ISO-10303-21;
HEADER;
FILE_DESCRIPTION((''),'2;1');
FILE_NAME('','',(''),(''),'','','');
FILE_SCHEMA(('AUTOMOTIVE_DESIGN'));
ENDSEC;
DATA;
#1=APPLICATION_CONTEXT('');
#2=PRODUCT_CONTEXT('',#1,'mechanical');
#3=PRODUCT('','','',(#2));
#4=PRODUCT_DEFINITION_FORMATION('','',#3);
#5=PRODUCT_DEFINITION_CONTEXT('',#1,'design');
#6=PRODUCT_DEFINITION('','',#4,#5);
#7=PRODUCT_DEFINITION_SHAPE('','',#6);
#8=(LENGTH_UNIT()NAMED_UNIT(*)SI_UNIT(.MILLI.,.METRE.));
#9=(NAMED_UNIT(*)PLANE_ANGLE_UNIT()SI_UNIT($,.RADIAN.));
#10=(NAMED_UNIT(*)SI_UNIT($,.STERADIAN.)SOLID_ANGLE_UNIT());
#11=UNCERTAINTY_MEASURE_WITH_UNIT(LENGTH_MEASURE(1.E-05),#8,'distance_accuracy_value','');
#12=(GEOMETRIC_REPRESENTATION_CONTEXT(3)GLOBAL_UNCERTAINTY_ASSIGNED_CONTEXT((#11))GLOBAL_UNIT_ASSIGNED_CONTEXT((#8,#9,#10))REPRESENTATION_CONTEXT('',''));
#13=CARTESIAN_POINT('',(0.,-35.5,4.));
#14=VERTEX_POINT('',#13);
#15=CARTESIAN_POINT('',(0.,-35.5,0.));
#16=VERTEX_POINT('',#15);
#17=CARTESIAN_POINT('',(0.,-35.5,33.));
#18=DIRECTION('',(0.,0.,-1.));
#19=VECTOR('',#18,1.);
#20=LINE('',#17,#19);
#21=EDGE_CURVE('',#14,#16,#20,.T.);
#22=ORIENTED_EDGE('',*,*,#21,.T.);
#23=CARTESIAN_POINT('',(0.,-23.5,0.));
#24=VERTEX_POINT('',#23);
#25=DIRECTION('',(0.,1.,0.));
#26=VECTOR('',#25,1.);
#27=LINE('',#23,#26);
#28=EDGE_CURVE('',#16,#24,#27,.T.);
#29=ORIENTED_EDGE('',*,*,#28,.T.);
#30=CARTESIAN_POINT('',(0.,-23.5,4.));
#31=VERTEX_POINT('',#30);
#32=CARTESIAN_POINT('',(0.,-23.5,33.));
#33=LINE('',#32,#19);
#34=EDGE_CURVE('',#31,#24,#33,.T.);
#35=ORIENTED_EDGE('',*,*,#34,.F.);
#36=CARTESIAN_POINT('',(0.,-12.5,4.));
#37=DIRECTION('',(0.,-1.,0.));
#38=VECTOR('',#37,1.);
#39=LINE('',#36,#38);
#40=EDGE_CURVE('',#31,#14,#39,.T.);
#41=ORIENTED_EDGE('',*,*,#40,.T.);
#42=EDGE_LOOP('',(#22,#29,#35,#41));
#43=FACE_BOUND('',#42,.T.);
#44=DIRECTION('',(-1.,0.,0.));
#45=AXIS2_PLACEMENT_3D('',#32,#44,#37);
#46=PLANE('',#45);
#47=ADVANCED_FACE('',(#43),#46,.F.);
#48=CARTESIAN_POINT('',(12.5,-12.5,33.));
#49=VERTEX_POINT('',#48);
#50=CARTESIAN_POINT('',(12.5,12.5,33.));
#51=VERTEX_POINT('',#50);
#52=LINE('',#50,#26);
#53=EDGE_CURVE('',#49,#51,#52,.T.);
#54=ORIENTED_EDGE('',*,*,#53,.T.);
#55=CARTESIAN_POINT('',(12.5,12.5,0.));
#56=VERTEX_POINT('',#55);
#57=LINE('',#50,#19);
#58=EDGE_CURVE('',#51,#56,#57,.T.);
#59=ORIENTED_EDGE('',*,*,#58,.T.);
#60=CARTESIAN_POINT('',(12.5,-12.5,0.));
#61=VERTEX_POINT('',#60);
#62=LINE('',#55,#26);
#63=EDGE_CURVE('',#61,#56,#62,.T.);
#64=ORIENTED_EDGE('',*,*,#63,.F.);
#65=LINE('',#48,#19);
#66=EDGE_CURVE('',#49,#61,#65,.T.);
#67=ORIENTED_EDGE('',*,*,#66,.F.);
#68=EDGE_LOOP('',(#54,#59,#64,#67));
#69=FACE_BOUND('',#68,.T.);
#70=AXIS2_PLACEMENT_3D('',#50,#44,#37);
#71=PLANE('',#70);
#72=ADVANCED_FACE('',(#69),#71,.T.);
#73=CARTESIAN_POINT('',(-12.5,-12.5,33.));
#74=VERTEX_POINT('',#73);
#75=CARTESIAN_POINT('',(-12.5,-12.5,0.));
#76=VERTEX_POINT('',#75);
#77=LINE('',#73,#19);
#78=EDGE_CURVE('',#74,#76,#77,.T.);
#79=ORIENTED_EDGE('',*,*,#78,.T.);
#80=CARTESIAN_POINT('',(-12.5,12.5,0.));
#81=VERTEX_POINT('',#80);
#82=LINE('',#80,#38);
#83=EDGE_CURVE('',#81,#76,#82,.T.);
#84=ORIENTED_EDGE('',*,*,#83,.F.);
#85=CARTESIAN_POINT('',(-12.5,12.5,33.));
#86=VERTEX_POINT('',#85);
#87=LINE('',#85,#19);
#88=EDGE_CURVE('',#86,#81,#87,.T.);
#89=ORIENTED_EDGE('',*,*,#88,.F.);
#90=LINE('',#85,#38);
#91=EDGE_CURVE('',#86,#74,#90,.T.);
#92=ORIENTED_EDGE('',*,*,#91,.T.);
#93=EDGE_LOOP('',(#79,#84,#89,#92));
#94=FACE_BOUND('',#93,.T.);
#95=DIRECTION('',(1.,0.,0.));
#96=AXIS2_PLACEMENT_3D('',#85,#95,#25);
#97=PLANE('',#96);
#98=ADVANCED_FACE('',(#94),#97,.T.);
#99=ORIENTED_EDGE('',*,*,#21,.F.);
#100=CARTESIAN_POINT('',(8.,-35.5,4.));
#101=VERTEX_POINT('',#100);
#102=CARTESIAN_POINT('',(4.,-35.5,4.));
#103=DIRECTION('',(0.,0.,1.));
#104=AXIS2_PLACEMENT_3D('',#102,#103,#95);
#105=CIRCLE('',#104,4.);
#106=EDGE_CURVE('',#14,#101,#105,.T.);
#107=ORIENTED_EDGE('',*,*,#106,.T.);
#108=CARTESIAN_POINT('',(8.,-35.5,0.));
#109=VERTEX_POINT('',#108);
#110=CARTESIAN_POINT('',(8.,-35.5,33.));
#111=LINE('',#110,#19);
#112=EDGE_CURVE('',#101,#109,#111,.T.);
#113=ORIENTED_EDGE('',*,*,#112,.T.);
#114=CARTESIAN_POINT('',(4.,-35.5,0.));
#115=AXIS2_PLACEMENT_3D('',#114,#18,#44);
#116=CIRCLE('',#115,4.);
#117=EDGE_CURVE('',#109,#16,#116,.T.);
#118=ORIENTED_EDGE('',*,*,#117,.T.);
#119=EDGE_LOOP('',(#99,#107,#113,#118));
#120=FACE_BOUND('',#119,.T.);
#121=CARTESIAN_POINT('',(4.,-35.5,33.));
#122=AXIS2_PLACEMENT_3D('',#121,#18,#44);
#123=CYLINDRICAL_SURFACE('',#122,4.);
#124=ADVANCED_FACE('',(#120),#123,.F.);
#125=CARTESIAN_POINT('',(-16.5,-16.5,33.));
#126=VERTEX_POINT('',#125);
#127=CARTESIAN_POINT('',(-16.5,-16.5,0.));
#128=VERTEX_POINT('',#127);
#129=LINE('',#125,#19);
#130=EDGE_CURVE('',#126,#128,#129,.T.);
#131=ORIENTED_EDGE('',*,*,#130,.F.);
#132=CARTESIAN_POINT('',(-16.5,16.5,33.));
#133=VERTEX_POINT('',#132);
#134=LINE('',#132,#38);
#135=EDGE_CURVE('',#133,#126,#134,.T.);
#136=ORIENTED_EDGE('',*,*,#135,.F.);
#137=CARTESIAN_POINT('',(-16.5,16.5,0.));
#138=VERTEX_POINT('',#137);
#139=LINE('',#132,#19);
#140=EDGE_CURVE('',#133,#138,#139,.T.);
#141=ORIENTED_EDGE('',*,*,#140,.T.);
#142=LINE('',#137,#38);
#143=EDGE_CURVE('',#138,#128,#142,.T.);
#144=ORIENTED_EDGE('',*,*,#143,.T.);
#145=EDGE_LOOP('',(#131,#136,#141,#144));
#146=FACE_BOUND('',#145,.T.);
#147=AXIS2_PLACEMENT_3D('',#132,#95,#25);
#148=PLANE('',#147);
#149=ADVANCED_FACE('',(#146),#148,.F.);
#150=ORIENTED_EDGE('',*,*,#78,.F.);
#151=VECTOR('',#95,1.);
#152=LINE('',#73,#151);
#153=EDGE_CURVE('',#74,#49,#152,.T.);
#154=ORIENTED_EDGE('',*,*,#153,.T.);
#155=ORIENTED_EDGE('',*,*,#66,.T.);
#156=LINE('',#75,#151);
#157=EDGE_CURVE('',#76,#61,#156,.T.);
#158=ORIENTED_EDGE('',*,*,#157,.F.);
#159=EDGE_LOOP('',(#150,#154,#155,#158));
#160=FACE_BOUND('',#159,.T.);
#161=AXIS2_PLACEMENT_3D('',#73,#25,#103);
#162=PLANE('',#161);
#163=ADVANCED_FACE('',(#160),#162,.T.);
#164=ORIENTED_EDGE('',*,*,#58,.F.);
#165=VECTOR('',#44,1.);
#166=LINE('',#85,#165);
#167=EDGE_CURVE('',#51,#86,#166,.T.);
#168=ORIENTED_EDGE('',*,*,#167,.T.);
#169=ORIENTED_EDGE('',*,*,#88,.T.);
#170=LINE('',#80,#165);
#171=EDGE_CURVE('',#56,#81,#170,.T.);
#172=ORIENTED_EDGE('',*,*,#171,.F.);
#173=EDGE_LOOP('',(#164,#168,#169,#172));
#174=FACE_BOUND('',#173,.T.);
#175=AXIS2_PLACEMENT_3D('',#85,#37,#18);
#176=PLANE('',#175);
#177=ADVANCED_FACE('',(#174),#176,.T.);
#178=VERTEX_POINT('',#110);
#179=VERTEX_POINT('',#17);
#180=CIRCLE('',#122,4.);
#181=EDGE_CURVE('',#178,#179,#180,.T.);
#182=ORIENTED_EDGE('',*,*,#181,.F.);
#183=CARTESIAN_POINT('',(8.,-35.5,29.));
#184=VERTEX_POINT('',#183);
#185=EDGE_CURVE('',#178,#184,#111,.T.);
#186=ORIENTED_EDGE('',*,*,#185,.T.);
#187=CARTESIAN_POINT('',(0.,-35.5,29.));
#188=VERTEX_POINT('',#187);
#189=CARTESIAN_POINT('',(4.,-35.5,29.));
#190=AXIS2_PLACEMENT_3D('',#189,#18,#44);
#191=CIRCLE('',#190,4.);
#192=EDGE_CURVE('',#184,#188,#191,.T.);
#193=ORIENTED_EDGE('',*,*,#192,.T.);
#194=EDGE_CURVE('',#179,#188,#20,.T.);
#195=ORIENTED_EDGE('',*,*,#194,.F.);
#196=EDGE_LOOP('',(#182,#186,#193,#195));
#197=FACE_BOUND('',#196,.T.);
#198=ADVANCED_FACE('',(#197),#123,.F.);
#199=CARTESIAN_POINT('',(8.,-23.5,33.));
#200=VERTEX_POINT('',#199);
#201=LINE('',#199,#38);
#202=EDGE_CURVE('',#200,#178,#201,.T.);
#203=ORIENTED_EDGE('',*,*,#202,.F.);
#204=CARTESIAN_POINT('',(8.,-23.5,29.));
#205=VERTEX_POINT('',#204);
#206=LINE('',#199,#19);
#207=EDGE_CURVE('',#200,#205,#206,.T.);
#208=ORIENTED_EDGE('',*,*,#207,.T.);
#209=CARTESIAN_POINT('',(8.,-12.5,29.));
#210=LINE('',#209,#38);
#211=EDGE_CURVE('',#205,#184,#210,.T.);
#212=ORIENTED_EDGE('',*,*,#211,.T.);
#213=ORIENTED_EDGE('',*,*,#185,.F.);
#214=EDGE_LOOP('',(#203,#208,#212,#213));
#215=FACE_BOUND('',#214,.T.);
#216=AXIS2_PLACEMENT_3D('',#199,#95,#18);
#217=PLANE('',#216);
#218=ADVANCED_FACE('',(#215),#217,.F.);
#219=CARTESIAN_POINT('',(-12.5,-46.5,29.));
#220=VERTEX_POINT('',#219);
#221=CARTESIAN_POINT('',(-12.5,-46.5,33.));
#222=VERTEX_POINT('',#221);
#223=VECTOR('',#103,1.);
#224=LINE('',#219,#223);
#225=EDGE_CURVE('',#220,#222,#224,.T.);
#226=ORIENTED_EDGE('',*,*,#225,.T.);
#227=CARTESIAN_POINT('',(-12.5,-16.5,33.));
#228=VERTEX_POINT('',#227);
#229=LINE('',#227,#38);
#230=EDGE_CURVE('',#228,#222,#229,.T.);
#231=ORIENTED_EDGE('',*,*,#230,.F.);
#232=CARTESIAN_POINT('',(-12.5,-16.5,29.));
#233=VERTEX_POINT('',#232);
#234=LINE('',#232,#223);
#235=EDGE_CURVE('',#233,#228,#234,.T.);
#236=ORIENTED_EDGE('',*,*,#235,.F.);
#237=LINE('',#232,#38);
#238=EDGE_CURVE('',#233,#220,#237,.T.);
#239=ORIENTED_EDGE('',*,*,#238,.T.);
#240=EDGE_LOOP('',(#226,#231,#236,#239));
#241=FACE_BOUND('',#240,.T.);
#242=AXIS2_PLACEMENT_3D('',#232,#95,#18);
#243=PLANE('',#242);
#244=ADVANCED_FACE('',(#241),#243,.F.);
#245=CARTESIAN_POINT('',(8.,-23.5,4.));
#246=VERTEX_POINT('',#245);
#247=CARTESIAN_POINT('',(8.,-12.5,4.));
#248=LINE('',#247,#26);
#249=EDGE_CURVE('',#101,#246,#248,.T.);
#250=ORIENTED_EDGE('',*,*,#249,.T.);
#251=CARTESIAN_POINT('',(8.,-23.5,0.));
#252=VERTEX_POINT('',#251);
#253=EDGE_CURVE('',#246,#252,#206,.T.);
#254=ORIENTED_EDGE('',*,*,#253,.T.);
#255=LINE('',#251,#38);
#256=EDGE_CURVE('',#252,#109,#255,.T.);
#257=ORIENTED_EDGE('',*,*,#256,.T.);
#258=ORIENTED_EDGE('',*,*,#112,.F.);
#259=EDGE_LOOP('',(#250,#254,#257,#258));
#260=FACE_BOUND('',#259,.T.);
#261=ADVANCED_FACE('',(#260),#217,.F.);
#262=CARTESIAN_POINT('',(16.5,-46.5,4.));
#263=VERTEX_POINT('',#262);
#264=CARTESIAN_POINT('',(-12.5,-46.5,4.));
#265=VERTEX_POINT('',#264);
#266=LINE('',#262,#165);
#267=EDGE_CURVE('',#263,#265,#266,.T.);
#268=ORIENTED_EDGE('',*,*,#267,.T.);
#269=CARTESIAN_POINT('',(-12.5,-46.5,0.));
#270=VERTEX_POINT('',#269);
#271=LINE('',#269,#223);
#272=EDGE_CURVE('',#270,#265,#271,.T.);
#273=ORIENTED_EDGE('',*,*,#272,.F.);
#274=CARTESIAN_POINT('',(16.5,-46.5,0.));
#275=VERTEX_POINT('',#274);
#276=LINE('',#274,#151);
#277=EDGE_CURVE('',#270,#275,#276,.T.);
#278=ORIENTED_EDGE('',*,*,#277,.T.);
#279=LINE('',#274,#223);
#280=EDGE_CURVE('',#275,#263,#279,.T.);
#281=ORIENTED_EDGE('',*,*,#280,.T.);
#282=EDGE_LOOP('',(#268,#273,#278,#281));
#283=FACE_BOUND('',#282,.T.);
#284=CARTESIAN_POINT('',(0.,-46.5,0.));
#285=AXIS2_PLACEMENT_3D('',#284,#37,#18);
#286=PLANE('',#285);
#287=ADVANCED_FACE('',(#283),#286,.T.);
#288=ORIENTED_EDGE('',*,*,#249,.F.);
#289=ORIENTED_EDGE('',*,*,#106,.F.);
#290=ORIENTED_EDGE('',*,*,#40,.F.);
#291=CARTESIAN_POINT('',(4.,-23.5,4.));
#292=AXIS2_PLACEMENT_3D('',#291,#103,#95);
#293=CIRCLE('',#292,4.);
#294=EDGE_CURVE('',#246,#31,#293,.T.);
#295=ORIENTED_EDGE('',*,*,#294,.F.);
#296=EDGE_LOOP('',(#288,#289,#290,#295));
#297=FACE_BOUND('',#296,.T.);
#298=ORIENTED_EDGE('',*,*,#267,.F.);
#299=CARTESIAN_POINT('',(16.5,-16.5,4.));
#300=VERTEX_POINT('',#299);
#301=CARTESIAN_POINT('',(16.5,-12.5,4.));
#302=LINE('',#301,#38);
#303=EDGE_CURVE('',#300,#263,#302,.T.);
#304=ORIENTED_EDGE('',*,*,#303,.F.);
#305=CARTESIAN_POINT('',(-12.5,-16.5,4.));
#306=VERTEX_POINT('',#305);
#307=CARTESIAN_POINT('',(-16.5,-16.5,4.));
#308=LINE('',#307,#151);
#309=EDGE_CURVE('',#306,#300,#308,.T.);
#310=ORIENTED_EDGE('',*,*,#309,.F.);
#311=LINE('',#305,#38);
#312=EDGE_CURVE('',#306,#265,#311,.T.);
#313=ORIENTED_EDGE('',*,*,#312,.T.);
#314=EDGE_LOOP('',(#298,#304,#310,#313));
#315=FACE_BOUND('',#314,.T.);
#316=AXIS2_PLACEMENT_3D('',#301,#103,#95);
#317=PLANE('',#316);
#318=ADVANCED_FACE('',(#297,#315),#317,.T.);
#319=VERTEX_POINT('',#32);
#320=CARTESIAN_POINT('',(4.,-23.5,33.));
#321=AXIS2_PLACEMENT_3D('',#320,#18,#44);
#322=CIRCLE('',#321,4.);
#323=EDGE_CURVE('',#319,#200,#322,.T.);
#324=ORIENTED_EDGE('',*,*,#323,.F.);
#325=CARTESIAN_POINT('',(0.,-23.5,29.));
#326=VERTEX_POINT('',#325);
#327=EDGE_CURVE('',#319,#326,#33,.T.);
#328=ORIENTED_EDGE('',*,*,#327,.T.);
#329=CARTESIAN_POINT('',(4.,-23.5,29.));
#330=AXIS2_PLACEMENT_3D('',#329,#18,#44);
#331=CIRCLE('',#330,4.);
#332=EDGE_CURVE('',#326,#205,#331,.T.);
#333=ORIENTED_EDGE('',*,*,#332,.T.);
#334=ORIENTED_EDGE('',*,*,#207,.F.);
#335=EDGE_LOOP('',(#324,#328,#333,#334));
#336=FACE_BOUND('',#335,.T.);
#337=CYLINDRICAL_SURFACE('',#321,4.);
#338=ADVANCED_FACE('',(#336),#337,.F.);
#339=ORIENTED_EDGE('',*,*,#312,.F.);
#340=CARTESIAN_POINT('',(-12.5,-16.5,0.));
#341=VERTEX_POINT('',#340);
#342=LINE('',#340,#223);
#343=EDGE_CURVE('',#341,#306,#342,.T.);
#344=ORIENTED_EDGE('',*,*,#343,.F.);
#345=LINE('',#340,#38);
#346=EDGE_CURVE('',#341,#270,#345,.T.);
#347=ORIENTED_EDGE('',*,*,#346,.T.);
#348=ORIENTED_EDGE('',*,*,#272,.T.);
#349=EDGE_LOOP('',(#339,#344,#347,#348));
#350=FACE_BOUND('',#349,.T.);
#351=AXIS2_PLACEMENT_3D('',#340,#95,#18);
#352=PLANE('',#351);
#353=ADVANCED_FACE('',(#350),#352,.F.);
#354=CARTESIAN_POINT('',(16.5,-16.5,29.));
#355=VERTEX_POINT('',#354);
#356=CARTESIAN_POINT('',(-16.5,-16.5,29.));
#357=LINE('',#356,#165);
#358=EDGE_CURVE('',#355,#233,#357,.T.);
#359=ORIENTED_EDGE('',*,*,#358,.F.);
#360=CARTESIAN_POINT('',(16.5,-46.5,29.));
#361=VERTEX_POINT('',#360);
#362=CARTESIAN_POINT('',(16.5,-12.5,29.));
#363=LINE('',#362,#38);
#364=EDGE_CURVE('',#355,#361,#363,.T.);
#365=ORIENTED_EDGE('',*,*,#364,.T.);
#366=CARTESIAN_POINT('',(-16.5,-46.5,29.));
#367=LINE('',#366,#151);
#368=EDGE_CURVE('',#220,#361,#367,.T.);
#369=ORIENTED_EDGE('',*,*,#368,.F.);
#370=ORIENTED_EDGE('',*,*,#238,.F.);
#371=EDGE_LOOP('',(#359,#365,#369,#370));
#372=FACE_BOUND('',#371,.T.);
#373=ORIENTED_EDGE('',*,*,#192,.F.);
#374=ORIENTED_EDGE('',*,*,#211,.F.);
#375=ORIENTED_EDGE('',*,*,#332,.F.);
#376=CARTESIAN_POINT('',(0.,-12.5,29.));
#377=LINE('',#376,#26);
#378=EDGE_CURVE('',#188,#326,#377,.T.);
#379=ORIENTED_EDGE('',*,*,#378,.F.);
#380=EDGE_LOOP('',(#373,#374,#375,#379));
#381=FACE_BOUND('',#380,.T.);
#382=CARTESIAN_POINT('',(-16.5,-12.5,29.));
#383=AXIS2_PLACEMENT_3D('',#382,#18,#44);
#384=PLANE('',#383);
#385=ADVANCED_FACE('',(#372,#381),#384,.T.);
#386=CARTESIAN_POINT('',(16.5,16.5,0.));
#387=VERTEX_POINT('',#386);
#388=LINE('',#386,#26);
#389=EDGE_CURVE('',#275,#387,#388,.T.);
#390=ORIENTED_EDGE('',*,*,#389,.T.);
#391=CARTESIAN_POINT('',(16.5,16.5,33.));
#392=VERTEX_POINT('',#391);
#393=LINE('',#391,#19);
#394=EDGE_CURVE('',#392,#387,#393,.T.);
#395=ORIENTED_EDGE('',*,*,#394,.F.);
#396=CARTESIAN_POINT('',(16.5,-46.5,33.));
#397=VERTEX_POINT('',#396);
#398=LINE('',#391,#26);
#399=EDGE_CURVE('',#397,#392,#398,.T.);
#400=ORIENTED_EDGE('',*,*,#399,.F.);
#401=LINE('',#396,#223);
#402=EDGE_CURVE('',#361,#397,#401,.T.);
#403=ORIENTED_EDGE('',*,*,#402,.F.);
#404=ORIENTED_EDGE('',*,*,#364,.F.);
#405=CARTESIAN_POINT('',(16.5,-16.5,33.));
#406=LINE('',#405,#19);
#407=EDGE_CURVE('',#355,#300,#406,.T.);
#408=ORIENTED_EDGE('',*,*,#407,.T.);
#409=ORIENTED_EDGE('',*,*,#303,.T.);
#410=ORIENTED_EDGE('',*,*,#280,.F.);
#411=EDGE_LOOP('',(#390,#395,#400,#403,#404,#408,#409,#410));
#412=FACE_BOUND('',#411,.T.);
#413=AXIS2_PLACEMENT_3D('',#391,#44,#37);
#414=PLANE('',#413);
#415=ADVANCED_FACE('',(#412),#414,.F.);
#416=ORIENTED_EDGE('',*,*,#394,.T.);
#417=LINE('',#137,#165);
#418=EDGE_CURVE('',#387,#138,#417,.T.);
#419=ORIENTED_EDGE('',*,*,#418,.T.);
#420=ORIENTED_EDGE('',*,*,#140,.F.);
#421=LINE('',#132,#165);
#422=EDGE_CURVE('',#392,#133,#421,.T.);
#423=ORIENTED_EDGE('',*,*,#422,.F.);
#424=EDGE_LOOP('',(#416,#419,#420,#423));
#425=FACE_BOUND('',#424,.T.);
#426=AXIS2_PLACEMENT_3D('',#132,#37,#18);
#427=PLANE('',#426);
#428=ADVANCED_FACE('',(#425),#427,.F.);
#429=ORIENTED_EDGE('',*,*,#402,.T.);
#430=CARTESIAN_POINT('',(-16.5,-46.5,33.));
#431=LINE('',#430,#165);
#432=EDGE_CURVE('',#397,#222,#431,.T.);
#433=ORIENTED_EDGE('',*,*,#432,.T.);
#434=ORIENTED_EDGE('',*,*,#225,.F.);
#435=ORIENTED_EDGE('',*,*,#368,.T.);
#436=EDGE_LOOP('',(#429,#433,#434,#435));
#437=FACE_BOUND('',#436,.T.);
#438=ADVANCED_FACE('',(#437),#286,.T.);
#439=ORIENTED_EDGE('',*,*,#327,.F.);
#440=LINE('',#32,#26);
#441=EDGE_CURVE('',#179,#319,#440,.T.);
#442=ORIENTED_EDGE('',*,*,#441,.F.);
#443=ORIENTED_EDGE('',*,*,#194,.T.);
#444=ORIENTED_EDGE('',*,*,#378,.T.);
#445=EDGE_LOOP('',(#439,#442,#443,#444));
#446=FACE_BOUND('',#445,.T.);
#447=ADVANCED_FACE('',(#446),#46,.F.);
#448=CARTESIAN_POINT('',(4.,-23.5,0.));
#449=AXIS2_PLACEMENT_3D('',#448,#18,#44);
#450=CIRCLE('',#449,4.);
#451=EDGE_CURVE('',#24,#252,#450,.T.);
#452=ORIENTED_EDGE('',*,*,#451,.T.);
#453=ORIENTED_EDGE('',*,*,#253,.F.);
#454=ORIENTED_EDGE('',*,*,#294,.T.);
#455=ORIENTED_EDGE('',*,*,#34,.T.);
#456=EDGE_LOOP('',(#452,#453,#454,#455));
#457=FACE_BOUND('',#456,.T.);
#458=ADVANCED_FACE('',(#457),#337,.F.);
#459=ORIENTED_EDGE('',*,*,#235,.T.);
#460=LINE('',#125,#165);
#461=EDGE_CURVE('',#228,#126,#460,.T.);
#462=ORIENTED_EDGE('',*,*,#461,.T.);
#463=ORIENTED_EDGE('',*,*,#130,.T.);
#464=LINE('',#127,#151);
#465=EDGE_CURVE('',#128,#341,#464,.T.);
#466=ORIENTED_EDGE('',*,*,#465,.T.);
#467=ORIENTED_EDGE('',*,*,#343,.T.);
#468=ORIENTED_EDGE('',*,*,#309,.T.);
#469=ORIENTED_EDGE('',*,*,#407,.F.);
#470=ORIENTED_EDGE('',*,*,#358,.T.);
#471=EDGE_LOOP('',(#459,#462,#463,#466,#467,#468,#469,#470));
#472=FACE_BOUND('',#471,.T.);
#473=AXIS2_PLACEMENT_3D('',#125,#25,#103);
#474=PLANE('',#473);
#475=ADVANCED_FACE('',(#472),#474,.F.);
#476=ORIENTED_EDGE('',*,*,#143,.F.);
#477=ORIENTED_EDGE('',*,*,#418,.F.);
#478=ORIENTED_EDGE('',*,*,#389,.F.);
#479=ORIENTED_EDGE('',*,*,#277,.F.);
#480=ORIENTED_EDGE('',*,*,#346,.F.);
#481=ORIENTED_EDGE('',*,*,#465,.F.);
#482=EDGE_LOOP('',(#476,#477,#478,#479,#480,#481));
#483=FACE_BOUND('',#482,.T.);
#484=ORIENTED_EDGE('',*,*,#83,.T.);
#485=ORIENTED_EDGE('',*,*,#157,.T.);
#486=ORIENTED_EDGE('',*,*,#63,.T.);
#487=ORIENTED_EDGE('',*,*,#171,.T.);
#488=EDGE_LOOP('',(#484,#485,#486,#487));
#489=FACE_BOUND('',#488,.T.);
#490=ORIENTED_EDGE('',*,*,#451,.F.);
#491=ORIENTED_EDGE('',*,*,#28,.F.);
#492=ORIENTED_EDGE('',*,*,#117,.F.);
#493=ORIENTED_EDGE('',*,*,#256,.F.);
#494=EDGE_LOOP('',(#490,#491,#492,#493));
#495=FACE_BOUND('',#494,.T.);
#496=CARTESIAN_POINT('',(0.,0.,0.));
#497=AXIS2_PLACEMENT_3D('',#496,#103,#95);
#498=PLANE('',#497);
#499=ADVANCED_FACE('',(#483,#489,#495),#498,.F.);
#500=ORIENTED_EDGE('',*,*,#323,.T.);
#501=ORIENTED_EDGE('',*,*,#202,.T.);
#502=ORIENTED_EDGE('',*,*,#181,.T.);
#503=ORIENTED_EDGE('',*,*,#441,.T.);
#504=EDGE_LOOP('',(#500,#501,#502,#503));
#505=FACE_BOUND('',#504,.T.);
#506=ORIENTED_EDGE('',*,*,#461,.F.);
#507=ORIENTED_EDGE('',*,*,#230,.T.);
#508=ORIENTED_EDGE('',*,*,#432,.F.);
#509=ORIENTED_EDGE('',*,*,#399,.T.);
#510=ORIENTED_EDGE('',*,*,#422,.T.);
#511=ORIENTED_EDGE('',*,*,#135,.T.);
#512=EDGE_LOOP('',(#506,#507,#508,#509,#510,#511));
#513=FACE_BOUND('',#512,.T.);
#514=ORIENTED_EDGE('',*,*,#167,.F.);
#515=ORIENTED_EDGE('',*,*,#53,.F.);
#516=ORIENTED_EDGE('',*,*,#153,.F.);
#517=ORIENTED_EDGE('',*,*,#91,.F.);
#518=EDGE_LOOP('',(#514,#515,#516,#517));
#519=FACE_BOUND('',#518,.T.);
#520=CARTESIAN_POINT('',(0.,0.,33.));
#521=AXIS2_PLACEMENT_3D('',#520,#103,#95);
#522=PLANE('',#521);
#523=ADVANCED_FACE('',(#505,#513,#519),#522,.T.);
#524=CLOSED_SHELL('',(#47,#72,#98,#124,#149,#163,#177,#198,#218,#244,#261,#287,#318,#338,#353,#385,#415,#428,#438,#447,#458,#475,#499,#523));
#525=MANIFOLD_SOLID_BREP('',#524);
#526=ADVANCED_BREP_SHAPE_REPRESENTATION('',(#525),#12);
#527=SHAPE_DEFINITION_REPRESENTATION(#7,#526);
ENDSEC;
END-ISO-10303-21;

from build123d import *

# Parameters (mm, degrees)
SKETCH20_W                = 33
SKETCH20_H                = 33
SKETCH20_W_2              = 25
SKETCH20_H_2              = 25
BOSS_EXTRUDE12_DEPTH      = 33
BOSS_EXTRUDE13_DEPTH      = 30
BOSS_EXTRUDE13_DEPTH_BACK = 4
SKETCH22_W                = 33
SKETCH22_H                = 4
SKETCH23_W                = 4
SKETCH23_H                = 4
CUT_EXTRUDE10_DEPTH       = 30
CUT_EXTRUDE15_DEPTH       = 33


with BuildPart() as part:
    # Sketch20 → Boss-Extrude12 (new body)
    with BuildSketch(Plane.XY):
        Rectangle(SKETCH20_W, SKETCH20_H)
        Rectangle(SKETCH20_W_2, SKETCH20_H_2, mode=Mode.SUBTRACT)
    extrude(amount=BOSS_EXTRUDE12_DEPTH)

    # Sketch22 → Boss-Extrude13 (add, two sides: drawn at the far end of the back side and taken through both)
    with BuildSketch(Plane.XZ.offset(16.5).offset(-BOSS_EXTRUDE13_DEPTH_BACK)):
        with Locations((0, 31)):
            Rectangle(SKETCH22_W, SKETCH22_H)
        with Locations((0, 2)):
            Rectangle(SKETCH22_W, SKETCH22_H)
    extrude(amount=BOSS_EXTRUDE13_DEPTH + BOSS_EXTRUDE13_DEPTH_BACK)

    # Sketch23 → Cut-Extrude10 (cut)
    with BuildSketch(Plane.XZ.offset(46.5)):
        with Locations((-14.5, 31)):
            Rectangle(SKETCH23_W, SKETCH23_H)
        with Locations((-14.5, 2)):
            Rectangle(SKETCH23_W, SKETCH23_H)
    extrude(amount=-CUT_EXTRUDE10_DEPTH, mode=Mode.SUBTRACT)

    # Sketch36 → Cut-Extrude15 (cut)
    with BuildSketch(Plane(origin=(0, 0, 0), x_dir=(-1, 0, 0), z_dir=(0, 0, -1))):
        with BuildLine():
            Line((-8, -23.5), (-8, -35.5))
            ThreePointArc((-8, -35.5), (-4, -39.5), (0, -35.5))
            Line((0, -35.5), (0, -23.5))
            ThreePointArc((0, -23.5), (-4, -19.5), (-8, -23.5))
        make_face()
    extrude(amount=-CUT_EXTRUDE15_DEPTH, mode=Mode.SUBTRACT)


solid = part.part
